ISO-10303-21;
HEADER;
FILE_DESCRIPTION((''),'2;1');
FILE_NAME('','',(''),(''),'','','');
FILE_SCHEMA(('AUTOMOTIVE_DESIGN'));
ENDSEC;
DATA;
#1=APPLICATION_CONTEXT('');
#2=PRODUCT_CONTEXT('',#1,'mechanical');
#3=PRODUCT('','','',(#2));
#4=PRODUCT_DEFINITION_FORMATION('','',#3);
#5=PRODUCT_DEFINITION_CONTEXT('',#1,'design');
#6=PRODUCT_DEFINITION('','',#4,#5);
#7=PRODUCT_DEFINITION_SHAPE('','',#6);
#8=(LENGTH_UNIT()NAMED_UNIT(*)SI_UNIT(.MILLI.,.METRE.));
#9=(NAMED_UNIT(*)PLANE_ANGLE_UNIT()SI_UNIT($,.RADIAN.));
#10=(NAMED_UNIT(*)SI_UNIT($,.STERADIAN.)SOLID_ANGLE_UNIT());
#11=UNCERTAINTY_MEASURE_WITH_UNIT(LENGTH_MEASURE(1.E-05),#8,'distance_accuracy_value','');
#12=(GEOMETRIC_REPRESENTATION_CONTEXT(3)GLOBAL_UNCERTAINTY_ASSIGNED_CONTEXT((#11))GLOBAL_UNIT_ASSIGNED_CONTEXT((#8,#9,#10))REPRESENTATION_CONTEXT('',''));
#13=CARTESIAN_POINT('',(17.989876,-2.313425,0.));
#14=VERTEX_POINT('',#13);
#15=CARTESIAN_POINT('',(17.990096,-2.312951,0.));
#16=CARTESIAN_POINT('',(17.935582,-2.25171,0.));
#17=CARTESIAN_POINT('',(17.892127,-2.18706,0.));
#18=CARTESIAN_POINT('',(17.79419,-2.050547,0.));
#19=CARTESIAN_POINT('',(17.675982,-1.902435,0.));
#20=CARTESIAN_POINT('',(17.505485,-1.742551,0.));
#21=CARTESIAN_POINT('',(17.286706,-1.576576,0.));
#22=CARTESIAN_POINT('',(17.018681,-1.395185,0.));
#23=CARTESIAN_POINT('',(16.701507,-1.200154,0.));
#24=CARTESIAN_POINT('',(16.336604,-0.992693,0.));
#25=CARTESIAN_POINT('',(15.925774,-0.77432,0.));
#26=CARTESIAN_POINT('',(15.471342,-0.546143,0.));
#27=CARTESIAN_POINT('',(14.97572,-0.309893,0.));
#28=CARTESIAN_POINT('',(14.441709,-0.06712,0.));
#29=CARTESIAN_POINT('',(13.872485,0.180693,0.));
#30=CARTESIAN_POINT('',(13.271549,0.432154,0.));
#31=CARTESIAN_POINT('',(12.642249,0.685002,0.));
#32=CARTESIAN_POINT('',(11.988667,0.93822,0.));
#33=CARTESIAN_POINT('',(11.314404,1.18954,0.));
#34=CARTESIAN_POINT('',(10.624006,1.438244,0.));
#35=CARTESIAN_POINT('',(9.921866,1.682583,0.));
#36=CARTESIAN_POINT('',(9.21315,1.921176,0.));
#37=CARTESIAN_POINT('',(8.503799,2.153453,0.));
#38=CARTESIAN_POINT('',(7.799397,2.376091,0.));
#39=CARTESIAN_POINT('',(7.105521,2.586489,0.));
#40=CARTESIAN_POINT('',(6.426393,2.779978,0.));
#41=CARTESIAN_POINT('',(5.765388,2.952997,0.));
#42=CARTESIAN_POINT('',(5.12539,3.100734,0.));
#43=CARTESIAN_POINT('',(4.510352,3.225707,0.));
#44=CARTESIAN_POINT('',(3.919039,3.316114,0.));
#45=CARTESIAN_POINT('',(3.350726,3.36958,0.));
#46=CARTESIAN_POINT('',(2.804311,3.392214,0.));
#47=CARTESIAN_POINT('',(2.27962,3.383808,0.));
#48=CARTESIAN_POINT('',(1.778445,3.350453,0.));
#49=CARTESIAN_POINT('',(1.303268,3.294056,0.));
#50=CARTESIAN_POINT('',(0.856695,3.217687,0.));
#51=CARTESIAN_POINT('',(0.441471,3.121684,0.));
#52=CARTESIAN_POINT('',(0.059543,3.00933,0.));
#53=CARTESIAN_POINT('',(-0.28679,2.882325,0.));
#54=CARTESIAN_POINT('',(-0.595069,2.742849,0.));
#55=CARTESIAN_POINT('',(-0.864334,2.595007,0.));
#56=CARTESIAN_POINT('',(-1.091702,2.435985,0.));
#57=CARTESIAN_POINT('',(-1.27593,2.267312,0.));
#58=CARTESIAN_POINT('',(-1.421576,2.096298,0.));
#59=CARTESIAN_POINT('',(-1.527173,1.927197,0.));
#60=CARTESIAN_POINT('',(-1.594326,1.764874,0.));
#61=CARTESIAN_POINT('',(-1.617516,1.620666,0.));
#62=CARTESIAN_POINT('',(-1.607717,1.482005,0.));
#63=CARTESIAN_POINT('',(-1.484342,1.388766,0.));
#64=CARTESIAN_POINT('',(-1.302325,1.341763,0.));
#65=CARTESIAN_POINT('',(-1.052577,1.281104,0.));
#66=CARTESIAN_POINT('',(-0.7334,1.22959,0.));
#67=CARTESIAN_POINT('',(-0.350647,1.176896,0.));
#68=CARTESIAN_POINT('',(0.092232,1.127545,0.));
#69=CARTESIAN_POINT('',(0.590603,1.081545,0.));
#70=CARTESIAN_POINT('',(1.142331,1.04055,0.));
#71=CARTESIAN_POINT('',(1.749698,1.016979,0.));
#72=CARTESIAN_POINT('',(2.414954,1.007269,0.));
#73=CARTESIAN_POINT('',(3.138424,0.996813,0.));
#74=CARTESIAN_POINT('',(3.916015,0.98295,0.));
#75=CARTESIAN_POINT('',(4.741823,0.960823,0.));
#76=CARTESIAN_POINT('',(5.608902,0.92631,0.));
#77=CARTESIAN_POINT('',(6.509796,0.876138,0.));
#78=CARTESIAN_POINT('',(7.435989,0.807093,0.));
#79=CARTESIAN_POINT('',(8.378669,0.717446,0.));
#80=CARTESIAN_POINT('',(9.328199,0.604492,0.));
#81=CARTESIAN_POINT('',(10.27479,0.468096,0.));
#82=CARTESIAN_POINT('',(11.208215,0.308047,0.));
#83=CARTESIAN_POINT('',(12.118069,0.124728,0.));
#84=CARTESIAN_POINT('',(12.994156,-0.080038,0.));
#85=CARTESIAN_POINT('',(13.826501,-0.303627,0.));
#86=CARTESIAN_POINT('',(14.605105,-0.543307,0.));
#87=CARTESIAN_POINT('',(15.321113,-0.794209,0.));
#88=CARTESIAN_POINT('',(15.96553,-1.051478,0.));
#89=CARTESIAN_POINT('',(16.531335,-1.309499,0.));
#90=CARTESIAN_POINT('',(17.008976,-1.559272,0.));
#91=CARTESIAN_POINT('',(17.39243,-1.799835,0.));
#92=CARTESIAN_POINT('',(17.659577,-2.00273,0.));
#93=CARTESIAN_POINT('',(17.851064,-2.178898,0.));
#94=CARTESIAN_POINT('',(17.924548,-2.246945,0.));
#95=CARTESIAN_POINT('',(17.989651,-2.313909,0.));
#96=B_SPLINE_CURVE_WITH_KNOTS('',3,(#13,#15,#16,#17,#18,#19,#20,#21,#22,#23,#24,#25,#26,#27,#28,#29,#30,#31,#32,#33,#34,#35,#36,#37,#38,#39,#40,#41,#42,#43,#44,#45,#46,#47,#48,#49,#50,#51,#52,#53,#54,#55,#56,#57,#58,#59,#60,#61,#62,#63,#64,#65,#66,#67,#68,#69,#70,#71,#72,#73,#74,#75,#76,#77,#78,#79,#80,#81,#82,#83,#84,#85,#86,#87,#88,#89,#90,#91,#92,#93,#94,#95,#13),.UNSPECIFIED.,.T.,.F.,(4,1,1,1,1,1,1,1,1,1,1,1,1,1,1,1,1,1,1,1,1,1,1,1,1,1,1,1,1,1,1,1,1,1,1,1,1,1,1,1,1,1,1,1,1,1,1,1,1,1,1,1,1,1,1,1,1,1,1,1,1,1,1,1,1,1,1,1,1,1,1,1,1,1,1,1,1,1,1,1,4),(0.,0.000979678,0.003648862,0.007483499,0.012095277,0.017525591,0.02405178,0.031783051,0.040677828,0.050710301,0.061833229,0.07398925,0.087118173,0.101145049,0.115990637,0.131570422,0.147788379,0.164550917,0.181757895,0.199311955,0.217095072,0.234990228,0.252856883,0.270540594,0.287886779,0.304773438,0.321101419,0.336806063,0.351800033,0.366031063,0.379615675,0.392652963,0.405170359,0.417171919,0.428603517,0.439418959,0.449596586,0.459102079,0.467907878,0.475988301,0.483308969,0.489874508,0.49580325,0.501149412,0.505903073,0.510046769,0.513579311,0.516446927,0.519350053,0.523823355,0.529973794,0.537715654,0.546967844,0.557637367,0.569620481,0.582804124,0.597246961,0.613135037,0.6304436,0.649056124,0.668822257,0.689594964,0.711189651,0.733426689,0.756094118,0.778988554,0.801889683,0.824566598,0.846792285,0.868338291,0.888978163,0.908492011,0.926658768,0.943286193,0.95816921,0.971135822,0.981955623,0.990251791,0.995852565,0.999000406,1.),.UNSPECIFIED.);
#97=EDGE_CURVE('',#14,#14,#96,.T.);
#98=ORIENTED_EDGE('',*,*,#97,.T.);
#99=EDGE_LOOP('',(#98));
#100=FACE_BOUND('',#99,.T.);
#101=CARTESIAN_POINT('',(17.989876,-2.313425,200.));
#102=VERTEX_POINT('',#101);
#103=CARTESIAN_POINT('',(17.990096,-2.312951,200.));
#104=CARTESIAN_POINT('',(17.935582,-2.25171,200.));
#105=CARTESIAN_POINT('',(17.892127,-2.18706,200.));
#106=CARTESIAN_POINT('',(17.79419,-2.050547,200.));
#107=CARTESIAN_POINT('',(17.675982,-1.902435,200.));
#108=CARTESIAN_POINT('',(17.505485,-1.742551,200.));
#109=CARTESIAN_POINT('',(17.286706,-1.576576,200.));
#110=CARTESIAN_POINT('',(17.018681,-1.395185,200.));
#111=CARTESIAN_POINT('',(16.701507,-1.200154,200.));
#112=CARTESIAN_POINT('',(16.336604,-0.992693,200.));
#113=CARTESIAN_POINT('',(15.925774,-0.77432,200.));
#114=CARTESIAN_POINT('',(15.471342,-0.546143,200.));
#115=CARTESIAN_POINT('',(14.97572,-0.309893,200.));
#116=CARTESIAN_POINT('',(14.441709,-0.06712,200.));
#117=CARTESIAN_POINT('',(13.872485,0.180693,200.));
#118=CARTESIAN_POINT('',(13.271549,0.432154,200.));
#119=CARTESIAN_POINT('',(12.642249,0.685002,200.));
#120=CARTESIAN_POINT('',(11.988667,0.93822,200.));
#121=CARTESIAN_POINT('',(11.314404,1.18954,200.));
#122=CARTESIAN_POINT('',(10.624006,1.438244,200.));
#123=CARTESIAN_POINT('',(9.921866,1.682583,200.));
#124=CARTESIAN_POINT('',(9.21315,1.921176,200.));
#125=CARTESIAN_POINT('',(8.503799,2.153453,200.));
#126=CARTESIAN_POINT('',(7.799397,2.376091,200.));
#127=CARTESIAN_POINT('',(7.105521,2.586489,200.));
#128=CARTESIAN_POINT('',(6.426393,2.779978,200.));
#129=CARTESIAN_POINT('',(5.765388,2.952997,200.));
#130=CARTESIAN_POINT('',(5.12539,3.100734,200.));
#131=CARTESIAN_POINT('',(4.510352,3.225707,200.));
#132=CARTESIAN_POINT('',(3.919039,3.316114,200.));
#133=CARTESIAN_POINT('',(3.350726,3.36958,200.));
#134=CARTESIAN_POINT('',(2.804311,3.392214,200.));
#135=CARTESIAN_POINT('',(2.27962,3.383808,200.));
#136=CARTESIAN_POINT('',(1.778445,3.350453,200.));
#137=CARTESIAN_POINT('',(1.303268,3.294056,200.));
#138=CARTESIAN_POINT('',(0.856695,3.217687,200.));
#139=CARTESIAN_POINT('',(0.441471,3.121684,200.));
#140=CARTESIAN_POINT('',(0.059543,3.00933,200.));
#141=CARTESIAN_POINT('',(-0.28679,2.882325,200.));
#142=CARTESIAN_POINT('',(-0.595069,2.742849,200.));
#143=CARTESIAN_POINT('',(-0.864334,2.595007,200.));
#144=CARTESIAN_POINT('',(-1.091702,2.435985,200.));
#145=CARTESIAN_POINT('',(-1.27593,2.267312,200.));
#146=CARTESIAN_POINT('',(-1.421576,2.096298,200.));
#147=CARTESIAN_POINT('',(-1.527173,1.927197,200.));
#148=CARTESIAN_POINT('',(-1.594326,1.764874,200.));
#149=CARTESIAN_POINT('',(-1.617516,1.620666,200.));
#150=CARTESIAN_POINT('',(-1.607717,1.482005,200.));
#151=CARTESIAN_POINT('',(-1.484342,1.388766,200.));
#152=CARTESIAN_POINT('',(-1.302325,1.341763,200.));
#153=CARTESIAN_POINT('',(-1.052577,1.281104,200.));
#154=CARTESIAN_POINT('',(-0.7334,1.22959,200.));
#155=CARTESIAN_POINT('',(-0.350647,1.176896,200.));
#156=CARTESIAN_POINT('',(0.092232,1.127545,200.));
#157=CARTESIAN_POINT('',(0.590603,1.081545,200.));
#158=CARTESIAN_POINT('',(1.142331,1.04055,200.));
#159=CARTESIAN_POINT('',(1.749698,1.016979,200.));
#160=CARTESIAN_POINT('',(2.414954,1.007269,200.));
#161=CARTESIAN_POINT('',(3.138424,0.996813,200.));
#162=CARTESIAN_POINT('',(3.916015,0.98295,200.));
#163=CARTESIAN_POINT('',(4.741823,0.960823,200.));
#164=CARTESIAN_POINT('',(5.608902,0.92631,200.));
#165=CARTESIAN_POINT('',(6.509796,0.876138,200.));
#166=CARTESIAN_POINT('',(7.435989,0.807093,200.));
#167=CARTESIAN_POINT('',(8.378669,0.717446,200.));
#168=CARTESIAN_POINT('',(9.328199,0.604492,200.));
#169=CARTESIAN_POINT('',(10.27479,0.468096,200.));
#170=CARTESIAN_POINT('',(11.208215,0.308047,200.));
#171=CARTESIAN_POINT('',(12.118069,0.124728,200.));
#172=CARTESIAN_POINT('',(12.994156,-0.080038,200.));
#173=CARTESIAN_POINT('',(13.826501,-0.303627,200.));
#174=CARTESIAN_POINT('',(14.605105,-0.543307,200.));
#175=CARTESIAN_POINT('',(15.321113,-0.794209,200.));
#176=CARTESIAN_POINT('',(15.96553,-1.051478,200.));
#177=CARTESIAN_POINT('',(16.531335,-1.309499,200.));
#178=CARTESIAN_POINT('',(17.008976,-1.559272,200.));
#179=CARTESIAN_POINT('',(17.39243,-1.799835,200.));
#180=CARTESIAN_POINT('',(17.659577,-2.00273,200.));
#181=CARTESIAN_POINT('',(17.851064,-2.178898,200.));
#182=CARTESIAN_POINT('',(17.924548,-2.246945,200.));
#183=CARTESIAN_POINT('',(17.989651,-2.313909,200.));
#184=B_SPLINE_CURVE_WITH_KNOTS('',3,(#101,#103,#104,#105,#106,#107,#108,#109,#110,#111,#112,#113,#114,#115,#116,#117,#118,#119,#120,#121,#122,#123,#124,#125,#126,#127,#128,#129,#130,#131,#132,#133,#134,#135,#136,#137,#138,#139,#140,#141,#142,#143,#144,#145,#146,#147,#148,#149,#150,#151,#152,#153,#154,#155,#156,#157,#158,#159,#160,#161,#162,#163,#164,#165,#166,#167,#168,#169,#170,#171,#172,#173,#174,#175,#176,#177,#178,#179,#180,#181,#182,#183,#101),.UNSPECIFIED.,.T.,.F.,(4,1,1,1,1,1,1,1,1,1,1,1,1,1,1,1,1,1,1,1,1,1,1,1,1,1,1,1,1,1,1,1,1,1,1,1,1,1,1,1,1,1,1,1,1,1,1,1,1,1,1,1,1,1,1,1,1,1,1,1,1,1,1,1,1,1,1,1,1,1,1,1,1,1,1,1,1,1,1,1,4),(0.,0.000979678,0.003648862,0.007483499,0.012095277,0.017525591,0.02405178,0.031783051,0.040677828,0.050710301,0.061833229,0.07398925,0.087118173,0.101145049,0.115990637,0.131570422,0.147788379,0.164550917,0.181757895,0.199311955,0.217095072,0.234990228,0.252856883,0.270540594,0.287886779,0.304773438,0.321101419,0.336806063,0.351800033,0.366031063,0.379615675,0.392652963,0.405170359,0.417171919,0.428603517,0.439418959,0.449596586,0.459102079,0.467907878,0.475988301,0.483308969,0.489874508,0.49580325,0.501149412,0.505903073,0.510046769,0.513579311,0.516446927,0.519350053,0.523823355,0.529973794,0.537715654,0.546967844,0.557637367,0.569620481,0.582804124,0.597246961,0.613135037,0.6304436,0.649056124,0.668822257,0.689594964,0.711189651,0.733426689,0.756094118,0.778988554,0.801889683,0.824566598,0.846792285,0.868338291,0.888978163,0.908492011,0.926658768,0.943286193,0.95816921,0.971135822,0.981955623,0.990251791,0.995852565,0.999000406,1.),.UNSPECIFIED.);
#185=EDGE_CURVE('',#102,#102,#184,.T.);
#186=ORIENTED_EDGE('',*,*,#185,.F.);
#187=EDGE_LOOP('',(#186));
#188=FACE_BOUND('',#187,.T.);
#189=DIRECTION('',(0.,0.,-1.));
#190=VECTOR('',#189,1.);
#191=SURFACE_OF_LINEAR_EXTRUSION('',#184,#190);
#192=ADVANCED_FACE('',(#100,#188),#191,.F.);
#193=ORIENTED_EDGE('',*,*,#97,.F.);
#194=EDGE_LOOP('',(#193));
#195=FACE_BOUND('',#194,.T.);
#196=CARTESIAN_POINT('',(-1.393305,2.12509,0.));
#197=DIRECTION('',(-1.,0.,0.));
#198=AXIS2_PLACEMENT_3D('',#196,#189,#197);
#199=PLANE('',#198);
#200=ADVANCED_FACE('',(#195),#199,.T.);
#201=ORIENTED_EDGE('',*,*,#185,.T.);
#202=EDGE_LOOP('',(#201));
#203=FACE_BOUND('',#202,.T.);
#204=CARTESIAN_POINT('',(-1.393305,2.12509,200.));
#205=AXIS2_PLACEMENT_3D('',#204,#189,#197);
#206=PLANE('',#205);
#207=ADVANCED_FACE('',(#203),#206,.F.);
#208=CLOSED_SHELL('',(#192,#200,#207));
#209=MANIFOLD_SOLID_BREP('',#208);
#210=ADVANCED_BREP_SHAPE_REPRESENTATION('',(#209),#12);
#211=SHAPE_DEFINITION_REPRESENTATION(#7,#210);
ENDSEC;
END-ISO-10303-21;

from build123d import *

# Parameters (mm, degrees)
BOSS_EXTRUDE1_DEPTH = 200


with BuildPart() as part:
    # Sketch1 → Boss-Extrude1 (new body)
    with BuildSketch(Plane.XY):
        with BuildLine():
            add(Edge.make_bspline(
                [(17.989875606, -2.313425292), (17.990095576, -2.312950775), (17.935582172, -2.251710288), (17.892127137, -2.18705956), (17.794189981, -2.050546547), (17.675981645, -1.902434975), (17.505484664, -1.742550604), (17.286706277, -1.576576405), (17.018680599, -1.395185163), (16.701507032, -1.200154443), (16.336603809, -0.992692625), (15.925774012, -0.774319819), (15.471342122, -0.54614257), (14.975719985, -0.30989336), (14.441709219, -0.067120475), (13.872485161, 0.180692699), (13.271548673, 0.432153869), (12.64224895, 0.685001871), (11.988667355, 0.938220063), (11.314403822, 1.189539674), (10.624005898, 1.438243721), (9.921866312, 1.68258343), (9.213150331, 1.921175871), (8.503799491, 2.153453259), (7.799397468, 2.376090938), (7.105520947, 2.586488661), (6.426393325, 2.779977729), (5.765388334, 2.952997454), (5.125390268, 3.100734383), (4.51035221, 3.225706559), (3.91903919, 3.316113771), (3.350725584, 3.36957995), (2.804311123, 3.392213514), (2.279620308, 3.383808113), (1.778444519, 3.350453142), (1.303268032, 3.294055871), (0.856694825, 3.217687393), (0.441471471, 3.121683955), (0.059542679, 3.009330402), (-0.286789882, 2.882324881), (-0.595069069, 2.742848925), (-0.864334258, 2.59500681), (-1.091701543, 2.435985448), (-1.275930437, 2.267312006), (-1.421575682, 2.096298361), (-1.527172838, 1.927197272), (-1.594325685, 1.764873966), (-1.617516165, 1.62066596), (-1.607716911, 1.48200536), (-1.484342263, 1.388765927), (-1.302325377, 1.341762995), (-1.052577162, 1.281103797), (-0.733399866, 1.229590016), (-0.350647348, 1.176895796), (0.092231769, 1.127545465), (0.590602884, 1.081545254), (1.142330502, 1.040550359), (1.749698437, 1.016979086), (2.414953948, 1.007269418), (3.138424337, 0.996813393), (3.916014749, 0.982949864), (4.741823037, 0.960822688), (5.608902122, 0.926310275), (6.509795516, 0.876137643), (7.435988756, 0.807092598), (8.378668934, 0.7174464), (9.328199372, 0.604492396), (10.274790181, 0.468096237), (11.208215094, 0.308047474), (12.11806918, 0.1247281), (12.994155971, -0.080038178), (13.826501257, -0.303627463), (14.605105251, -0.543307197), (15.3211132, -0.794208835), (15.965529824, -1.051478376), (16.531335252, -1.309498694), (17.008975695, -1.559272102), (17.392430159, -1.799835161), (17.659577147, -2.0027301), (17.851063583, -2.178897811), (17.924548082, -2.246944615), (17.989651164, -2.313909455), (17.989875606, -2.313425292)],
                knots=[0, 0, 0, 0, 0.000979678, 0.003648862, 0.007483499, 0.012095277, 0.017525591, 0.02405178, 0.031783051, 0.040677828, 0.050710301, 0.061833229, 0.07398925, 0.087118173, 0.101145049, 0.115990637, 0.131570422, 0.147788379, 0.164550917, 0.181757895, 0.199311955, 0.217095072, 0.234990228, 0.252856883, 0.270540594, 0.287886779, 0.304773438, 0.321101419, 0.336806063, 0.351800033, 0.366031063, 0.379615675, 0.392652963, 0.405170359, 0.417171919, 0.428603517, 0.439418959, 0.449596586, 0.459102079, 0.467907878, 0.475988301, 0.483308969, 0.489874508, 0.49580325, 0.501149412, 0.505903073, 0.510046769, 0.513579311, 0.516446927, 0.519350053, 0.523823355, 0.529973794, 0.537715654, 0.546967844, 0.557637367, 0.569620481, 0.582804124, 0.597246961, 0.613135037, 0.6304436, 0.649056124, 0.668822257, 0.689594964, 0.711189651, 0.733426689, 0.756094118, 0.778988554, 0.801889683, 0.824566598, 0.846792285, 0.868338291, 0.888978163, 0.908492011, 0.926658768, 0.943286193, 0.95816921, 0.971135822, 0.981955623, 0.990251791, 0.995852565, 0.999000406, 1, 1, 1, 1], degree=3))
        make_face()
    extrude(amount=BOSS_EXTRUDE1_DEPTH)


solid = part.part
